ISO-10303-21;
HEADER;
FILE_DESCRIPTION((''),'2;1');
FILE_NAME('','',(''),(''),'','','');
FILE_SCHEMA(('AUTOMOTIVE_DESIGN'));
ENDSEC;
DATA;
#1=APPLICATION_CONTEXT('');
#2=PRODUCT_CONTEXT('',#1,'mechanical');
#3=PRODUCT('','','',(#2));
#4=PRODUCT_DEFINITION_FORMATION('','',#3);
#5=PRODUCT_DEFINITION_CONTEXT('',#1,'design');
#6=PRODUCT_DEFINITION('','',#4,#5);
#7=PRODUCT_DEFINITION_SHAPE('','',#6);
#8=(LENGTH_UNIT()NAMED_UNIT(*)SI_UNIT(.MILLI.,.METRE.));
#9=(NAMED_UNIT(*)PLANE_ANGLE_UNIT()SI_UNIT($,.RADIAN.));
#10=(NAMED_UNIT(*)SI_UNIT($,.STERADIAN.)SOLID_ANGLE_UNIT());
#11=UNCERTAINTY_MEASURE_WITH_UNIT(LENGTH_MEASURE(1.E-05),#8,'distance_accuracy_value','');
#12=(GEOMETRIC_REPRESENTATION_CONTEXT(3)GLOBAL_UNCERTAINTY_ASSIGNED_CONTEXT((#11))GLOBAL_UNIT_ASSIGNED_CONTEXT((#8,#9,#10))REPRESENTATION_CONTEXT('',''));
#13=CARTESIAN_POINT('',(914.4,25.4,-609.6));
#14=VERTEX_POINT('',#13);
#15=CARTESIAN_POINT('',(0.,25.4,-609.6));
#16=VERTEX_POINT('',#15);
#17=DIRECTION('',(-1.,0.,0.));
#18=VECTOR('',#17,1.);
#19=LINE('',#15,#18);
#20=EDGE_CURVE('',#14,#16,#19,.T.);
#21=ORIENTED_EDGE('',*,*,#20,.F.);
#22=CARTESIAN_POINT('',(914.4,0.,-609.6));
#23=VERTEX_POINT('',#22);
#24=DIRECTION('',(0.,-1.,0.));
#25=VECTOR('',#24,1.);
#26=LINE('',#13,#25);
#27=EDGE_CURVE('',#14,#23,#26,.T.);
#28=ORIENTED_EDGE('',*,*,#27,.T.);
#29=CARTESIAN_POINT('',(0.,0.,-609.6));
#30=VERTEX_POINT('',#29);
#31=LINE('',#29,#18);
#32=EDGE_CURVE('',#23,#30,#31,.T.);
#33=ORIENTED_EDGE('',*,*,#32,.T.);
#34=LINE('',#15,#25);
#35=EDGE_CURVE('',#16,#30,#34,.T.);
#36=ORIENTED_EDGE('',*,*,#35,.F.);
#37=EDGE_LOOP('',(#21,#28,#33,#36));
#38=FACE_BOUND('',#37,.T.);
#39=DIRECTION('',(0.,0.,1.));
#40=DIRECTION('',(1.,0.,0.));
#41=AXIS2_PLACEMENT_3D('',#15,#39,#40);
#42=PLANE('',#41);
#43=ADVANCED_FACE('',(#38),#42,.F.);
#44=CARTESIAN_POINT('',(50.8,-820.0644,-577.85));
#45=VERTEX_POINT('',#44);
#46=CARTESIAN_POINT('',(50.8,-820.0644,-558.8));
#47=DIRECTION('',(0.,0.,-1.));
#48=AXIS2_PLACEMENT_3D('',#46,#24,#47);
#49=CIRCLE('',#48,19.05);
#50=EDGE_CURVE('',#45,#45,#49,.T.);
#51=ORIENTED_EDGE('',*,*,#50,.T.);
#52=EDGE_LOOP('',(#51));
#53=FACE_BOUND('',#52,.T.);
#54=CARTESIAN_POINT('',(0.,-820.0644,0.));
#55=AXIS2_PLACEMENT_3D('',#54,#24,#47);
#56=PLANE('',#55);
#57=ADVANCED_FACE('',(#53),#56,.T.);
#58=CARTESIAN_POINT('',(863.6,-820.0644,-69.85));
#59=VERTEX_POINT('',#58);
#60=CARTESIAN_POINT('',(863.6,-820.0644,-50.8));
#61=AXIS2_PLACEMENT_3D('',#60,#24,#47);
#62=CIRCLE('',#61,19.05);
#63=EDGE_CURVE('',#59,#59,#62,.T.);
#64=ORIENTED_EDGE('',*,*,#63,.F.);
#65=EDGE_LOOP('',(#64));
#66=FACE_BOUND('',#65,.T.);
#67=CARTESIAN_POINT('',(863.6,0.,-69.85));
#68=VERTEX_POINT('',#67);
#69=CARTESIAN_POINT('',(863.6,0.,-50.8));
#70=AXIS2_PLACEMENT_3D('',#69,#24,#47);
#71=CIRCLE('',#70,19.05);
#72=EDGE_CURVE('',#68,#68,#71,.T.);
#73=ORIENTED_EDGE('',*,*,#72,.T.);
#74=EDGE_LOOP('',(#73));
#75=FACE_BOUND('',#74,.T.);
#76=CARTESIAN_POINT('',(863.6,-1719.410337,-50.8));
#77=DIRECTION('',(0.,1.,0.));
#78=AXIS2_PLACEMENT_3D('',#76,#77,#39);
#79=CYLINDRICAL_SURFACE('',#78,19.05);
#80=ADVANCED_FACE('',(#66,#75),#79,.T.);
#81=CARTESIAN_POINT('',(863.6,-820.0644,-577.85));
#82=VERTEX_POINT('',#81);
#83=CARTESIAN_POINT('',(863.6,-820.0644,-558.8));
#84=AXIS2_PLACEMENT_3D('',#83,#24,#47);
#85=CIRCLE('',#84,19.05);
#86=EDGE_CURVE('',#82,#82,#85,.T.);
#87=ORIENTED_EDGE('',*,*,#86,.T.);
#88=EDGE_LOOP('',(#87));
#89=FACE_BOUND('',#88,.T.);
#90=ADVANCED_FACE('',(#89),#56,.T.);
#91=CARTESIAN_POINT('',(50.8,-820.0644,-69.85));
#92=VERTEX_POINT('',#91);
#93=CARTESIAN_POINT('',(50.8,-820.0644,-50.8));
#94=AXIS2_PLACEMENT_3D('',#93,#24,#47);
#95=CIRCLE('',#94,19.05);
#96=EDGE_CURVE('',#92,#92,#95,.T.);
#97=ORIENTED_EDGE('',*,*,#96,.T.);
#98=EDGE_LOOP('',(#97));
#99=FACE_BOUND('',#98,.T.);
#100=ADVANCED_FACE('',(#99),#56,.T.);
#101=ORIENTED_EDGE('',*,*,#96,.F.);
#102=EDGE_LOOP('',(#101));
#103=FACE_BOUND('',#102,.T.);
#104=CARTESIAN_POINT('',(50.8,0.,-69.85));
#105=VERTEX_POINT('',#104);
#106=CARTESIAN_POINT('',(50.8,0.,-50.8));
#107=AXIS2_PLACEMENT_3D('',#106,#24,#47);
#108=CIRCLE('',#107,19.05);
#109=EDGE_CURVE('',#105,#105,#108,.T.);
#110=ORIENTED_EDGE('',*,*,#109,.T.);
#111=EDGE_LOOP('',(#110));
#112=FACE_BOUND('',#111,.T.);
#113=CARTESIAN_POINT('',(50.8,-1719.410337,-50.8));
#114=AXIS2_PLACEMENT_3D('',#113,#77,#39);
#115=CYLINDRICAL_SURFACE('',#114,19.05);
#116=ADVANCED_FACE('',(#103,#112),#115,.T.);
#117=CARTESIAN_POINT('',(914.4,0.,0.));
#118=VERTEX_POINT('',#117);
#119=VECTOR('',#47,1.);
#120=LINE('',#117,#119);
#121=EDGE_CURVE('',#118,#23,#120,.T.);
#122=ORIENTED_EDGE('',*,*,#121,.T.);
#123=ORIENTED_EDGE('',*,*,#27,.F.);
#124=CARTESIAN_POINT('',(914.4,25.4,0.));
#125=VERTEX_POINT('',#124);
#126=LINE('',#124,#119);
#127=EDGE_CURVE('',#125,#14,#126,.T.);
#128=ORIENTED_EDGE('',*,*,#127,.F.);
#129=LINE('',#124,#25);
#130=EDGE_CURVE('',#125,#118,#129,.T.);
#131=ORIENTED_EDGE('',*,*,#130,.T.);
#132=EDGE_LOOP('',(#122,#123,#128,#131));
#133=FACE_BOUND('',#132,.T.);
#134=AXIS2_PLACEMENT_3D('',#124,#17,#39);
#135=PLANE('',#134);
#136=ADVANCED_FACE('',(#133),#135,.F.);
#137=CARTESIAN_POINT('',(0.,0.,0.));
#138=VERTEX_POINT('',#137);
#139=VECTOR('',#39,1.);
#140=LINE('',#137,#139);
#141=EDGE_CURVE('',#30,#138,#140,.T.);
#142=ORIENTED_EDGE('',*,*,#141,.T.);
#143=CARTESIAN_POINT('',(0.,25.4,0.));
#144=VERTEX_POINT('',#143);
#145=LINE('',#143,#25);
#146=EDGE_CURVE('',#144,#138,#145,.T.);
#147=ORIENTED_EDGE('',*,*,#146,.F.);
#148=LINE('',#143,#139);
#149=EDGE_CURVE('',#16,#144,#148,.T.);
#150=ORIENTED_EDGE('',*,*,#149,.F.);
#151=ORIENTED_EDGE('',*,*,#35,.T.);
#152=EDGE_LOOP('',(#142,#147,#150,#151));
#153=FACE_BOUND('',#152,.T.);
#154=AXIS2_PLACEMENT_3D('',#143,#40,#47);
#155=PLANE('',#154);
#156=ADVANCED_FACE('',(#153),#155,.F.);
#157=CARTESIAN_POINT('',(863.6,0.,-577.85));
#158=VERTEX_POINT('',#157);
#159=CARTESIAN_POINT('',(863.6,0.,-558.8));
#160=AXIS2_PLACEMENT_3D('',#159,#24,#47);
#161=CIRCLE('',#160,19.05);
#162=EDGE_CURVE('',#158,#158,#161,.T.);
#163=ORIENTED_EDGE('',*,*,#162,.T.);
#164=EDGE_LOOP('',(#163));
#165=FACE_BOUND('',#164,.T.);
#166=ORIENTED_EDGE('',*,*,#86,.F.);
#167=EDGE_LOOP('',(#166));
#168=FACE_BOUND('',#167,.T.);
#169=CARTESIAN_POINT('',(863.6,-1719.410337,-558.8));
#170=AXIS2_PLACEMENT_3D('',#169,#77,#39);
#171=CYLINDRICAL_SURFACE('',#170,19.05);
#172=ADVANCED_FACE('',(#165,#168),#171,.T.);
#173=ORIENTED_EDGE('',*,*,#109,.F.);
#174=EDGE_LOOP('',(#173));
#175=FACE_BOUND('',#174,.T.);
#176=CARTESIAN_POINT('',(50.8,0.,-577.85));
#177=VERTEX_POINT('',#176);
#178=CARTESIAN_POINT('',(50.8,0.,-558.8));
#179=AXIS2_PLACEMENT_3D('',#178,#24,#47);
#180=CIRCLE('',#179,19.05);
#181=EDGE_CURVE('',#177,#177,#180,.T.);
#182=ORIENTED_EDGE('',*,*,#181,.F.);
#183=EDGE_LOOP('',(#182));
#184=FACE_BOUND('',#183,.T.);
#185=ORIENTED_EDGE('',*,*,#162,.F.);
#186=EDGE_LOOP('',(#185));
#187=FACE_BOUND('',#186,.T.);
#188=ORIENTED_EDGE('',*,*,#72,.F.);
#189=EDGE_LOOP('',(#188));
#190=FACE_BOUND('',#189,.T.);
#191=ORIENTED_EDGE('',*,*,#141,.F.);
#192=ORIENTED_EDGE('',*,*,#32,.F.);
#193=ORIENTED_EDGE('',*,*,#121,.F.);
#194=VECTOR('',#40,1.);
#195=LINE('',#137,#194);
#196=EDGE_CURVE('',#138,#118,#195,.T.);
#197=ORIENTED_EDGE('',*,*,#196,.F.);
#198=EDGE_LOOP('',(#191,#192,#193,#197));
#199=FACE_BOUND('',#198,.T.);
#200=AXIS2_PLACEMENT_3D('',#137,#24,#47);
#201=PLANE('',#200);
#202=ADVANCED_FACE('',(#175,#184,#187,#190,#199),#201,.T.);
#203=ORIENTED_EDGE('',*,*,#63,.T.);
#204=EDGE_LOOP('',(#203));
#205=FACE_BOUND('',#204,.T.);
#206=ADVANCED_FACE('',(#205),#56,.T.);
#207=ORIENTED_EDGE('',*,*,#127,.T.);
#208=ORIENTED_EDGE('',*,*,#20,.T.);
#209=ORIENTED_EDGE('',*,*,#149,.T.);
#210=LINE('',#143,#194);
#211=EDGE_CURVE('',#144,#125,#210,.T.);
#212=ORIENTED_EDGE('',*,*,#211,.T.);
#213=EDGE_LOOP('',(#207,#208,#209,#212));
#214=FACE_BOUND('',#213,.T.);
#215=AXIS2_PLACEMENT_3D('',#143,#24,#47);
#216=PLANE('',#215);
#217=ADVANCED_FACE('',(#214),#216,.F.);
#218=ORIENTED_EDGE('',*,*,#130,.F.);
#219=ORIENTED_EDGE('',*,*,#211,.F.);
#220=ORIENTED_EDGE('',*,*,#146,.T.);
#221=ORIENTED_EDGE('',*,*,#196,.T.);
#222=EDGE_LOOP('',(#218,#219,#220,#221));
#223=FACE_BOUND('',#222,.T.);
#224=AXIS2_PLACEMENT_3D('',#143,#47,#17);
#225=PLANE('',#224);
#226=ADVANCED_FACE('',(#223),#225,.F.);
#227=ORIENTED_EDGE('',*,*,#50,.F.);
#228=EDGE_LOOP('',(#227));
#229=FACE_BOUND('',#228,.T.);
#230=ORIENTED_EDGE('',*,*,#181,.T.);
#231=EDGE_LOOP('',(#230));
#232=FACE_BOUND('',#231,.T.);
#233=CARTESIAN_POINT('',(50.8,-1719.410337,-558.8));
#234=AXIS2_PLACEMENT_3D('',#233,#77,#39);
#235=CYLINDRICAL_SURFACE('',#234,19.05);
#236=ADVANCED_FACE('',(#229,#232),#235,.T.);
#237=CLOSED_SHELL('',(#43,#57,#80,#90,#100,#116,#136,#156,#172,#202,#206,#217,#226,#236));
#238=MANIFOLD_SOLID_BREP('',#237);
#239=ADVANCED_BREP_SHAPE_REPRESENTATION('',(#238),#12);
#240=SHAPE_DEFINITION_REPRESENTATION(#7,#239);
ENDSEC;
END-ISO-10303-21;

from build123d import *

# Parameters (mm, degrees)
SKETCH3_W   = 914.4
SKETCH3_H   = 609.6
TABLE_DEPTH = 25.4
SKETCH4_R   = 19.05
LEGS_DEPTH  = 820.0644


with BuildPart() as part:
    # Sketch3 → Table (new body)
    with BuildSketch(Plane(origin=(0, 0, 0), x_dir=(1, 0, 0), z_dir=(0, 1, 0))):
        with Locations((457.2, 304.8)):
            Rectangle(SKETCH3_W, SKETCH3_H)
    extrude(amount=TABLE_DEPTH)

    # Sketch4 → Legs (add)
    with BuildSketch(Plane.XZ):
        with Locations((50.8, -50.8)):
            Circle(SKETCH4_R)
        with Locations((863.6, -50.8)):
            Circle(SKETCH4_R)
        with Locations((50.8, -558.8)):
            Circle(SKETCH4_R)
        with Locations((863.6, -558.8)):
            Circle(SKETCH4_R)
    extrude(amount=LEGS_DEPTH)


solid = part.part
